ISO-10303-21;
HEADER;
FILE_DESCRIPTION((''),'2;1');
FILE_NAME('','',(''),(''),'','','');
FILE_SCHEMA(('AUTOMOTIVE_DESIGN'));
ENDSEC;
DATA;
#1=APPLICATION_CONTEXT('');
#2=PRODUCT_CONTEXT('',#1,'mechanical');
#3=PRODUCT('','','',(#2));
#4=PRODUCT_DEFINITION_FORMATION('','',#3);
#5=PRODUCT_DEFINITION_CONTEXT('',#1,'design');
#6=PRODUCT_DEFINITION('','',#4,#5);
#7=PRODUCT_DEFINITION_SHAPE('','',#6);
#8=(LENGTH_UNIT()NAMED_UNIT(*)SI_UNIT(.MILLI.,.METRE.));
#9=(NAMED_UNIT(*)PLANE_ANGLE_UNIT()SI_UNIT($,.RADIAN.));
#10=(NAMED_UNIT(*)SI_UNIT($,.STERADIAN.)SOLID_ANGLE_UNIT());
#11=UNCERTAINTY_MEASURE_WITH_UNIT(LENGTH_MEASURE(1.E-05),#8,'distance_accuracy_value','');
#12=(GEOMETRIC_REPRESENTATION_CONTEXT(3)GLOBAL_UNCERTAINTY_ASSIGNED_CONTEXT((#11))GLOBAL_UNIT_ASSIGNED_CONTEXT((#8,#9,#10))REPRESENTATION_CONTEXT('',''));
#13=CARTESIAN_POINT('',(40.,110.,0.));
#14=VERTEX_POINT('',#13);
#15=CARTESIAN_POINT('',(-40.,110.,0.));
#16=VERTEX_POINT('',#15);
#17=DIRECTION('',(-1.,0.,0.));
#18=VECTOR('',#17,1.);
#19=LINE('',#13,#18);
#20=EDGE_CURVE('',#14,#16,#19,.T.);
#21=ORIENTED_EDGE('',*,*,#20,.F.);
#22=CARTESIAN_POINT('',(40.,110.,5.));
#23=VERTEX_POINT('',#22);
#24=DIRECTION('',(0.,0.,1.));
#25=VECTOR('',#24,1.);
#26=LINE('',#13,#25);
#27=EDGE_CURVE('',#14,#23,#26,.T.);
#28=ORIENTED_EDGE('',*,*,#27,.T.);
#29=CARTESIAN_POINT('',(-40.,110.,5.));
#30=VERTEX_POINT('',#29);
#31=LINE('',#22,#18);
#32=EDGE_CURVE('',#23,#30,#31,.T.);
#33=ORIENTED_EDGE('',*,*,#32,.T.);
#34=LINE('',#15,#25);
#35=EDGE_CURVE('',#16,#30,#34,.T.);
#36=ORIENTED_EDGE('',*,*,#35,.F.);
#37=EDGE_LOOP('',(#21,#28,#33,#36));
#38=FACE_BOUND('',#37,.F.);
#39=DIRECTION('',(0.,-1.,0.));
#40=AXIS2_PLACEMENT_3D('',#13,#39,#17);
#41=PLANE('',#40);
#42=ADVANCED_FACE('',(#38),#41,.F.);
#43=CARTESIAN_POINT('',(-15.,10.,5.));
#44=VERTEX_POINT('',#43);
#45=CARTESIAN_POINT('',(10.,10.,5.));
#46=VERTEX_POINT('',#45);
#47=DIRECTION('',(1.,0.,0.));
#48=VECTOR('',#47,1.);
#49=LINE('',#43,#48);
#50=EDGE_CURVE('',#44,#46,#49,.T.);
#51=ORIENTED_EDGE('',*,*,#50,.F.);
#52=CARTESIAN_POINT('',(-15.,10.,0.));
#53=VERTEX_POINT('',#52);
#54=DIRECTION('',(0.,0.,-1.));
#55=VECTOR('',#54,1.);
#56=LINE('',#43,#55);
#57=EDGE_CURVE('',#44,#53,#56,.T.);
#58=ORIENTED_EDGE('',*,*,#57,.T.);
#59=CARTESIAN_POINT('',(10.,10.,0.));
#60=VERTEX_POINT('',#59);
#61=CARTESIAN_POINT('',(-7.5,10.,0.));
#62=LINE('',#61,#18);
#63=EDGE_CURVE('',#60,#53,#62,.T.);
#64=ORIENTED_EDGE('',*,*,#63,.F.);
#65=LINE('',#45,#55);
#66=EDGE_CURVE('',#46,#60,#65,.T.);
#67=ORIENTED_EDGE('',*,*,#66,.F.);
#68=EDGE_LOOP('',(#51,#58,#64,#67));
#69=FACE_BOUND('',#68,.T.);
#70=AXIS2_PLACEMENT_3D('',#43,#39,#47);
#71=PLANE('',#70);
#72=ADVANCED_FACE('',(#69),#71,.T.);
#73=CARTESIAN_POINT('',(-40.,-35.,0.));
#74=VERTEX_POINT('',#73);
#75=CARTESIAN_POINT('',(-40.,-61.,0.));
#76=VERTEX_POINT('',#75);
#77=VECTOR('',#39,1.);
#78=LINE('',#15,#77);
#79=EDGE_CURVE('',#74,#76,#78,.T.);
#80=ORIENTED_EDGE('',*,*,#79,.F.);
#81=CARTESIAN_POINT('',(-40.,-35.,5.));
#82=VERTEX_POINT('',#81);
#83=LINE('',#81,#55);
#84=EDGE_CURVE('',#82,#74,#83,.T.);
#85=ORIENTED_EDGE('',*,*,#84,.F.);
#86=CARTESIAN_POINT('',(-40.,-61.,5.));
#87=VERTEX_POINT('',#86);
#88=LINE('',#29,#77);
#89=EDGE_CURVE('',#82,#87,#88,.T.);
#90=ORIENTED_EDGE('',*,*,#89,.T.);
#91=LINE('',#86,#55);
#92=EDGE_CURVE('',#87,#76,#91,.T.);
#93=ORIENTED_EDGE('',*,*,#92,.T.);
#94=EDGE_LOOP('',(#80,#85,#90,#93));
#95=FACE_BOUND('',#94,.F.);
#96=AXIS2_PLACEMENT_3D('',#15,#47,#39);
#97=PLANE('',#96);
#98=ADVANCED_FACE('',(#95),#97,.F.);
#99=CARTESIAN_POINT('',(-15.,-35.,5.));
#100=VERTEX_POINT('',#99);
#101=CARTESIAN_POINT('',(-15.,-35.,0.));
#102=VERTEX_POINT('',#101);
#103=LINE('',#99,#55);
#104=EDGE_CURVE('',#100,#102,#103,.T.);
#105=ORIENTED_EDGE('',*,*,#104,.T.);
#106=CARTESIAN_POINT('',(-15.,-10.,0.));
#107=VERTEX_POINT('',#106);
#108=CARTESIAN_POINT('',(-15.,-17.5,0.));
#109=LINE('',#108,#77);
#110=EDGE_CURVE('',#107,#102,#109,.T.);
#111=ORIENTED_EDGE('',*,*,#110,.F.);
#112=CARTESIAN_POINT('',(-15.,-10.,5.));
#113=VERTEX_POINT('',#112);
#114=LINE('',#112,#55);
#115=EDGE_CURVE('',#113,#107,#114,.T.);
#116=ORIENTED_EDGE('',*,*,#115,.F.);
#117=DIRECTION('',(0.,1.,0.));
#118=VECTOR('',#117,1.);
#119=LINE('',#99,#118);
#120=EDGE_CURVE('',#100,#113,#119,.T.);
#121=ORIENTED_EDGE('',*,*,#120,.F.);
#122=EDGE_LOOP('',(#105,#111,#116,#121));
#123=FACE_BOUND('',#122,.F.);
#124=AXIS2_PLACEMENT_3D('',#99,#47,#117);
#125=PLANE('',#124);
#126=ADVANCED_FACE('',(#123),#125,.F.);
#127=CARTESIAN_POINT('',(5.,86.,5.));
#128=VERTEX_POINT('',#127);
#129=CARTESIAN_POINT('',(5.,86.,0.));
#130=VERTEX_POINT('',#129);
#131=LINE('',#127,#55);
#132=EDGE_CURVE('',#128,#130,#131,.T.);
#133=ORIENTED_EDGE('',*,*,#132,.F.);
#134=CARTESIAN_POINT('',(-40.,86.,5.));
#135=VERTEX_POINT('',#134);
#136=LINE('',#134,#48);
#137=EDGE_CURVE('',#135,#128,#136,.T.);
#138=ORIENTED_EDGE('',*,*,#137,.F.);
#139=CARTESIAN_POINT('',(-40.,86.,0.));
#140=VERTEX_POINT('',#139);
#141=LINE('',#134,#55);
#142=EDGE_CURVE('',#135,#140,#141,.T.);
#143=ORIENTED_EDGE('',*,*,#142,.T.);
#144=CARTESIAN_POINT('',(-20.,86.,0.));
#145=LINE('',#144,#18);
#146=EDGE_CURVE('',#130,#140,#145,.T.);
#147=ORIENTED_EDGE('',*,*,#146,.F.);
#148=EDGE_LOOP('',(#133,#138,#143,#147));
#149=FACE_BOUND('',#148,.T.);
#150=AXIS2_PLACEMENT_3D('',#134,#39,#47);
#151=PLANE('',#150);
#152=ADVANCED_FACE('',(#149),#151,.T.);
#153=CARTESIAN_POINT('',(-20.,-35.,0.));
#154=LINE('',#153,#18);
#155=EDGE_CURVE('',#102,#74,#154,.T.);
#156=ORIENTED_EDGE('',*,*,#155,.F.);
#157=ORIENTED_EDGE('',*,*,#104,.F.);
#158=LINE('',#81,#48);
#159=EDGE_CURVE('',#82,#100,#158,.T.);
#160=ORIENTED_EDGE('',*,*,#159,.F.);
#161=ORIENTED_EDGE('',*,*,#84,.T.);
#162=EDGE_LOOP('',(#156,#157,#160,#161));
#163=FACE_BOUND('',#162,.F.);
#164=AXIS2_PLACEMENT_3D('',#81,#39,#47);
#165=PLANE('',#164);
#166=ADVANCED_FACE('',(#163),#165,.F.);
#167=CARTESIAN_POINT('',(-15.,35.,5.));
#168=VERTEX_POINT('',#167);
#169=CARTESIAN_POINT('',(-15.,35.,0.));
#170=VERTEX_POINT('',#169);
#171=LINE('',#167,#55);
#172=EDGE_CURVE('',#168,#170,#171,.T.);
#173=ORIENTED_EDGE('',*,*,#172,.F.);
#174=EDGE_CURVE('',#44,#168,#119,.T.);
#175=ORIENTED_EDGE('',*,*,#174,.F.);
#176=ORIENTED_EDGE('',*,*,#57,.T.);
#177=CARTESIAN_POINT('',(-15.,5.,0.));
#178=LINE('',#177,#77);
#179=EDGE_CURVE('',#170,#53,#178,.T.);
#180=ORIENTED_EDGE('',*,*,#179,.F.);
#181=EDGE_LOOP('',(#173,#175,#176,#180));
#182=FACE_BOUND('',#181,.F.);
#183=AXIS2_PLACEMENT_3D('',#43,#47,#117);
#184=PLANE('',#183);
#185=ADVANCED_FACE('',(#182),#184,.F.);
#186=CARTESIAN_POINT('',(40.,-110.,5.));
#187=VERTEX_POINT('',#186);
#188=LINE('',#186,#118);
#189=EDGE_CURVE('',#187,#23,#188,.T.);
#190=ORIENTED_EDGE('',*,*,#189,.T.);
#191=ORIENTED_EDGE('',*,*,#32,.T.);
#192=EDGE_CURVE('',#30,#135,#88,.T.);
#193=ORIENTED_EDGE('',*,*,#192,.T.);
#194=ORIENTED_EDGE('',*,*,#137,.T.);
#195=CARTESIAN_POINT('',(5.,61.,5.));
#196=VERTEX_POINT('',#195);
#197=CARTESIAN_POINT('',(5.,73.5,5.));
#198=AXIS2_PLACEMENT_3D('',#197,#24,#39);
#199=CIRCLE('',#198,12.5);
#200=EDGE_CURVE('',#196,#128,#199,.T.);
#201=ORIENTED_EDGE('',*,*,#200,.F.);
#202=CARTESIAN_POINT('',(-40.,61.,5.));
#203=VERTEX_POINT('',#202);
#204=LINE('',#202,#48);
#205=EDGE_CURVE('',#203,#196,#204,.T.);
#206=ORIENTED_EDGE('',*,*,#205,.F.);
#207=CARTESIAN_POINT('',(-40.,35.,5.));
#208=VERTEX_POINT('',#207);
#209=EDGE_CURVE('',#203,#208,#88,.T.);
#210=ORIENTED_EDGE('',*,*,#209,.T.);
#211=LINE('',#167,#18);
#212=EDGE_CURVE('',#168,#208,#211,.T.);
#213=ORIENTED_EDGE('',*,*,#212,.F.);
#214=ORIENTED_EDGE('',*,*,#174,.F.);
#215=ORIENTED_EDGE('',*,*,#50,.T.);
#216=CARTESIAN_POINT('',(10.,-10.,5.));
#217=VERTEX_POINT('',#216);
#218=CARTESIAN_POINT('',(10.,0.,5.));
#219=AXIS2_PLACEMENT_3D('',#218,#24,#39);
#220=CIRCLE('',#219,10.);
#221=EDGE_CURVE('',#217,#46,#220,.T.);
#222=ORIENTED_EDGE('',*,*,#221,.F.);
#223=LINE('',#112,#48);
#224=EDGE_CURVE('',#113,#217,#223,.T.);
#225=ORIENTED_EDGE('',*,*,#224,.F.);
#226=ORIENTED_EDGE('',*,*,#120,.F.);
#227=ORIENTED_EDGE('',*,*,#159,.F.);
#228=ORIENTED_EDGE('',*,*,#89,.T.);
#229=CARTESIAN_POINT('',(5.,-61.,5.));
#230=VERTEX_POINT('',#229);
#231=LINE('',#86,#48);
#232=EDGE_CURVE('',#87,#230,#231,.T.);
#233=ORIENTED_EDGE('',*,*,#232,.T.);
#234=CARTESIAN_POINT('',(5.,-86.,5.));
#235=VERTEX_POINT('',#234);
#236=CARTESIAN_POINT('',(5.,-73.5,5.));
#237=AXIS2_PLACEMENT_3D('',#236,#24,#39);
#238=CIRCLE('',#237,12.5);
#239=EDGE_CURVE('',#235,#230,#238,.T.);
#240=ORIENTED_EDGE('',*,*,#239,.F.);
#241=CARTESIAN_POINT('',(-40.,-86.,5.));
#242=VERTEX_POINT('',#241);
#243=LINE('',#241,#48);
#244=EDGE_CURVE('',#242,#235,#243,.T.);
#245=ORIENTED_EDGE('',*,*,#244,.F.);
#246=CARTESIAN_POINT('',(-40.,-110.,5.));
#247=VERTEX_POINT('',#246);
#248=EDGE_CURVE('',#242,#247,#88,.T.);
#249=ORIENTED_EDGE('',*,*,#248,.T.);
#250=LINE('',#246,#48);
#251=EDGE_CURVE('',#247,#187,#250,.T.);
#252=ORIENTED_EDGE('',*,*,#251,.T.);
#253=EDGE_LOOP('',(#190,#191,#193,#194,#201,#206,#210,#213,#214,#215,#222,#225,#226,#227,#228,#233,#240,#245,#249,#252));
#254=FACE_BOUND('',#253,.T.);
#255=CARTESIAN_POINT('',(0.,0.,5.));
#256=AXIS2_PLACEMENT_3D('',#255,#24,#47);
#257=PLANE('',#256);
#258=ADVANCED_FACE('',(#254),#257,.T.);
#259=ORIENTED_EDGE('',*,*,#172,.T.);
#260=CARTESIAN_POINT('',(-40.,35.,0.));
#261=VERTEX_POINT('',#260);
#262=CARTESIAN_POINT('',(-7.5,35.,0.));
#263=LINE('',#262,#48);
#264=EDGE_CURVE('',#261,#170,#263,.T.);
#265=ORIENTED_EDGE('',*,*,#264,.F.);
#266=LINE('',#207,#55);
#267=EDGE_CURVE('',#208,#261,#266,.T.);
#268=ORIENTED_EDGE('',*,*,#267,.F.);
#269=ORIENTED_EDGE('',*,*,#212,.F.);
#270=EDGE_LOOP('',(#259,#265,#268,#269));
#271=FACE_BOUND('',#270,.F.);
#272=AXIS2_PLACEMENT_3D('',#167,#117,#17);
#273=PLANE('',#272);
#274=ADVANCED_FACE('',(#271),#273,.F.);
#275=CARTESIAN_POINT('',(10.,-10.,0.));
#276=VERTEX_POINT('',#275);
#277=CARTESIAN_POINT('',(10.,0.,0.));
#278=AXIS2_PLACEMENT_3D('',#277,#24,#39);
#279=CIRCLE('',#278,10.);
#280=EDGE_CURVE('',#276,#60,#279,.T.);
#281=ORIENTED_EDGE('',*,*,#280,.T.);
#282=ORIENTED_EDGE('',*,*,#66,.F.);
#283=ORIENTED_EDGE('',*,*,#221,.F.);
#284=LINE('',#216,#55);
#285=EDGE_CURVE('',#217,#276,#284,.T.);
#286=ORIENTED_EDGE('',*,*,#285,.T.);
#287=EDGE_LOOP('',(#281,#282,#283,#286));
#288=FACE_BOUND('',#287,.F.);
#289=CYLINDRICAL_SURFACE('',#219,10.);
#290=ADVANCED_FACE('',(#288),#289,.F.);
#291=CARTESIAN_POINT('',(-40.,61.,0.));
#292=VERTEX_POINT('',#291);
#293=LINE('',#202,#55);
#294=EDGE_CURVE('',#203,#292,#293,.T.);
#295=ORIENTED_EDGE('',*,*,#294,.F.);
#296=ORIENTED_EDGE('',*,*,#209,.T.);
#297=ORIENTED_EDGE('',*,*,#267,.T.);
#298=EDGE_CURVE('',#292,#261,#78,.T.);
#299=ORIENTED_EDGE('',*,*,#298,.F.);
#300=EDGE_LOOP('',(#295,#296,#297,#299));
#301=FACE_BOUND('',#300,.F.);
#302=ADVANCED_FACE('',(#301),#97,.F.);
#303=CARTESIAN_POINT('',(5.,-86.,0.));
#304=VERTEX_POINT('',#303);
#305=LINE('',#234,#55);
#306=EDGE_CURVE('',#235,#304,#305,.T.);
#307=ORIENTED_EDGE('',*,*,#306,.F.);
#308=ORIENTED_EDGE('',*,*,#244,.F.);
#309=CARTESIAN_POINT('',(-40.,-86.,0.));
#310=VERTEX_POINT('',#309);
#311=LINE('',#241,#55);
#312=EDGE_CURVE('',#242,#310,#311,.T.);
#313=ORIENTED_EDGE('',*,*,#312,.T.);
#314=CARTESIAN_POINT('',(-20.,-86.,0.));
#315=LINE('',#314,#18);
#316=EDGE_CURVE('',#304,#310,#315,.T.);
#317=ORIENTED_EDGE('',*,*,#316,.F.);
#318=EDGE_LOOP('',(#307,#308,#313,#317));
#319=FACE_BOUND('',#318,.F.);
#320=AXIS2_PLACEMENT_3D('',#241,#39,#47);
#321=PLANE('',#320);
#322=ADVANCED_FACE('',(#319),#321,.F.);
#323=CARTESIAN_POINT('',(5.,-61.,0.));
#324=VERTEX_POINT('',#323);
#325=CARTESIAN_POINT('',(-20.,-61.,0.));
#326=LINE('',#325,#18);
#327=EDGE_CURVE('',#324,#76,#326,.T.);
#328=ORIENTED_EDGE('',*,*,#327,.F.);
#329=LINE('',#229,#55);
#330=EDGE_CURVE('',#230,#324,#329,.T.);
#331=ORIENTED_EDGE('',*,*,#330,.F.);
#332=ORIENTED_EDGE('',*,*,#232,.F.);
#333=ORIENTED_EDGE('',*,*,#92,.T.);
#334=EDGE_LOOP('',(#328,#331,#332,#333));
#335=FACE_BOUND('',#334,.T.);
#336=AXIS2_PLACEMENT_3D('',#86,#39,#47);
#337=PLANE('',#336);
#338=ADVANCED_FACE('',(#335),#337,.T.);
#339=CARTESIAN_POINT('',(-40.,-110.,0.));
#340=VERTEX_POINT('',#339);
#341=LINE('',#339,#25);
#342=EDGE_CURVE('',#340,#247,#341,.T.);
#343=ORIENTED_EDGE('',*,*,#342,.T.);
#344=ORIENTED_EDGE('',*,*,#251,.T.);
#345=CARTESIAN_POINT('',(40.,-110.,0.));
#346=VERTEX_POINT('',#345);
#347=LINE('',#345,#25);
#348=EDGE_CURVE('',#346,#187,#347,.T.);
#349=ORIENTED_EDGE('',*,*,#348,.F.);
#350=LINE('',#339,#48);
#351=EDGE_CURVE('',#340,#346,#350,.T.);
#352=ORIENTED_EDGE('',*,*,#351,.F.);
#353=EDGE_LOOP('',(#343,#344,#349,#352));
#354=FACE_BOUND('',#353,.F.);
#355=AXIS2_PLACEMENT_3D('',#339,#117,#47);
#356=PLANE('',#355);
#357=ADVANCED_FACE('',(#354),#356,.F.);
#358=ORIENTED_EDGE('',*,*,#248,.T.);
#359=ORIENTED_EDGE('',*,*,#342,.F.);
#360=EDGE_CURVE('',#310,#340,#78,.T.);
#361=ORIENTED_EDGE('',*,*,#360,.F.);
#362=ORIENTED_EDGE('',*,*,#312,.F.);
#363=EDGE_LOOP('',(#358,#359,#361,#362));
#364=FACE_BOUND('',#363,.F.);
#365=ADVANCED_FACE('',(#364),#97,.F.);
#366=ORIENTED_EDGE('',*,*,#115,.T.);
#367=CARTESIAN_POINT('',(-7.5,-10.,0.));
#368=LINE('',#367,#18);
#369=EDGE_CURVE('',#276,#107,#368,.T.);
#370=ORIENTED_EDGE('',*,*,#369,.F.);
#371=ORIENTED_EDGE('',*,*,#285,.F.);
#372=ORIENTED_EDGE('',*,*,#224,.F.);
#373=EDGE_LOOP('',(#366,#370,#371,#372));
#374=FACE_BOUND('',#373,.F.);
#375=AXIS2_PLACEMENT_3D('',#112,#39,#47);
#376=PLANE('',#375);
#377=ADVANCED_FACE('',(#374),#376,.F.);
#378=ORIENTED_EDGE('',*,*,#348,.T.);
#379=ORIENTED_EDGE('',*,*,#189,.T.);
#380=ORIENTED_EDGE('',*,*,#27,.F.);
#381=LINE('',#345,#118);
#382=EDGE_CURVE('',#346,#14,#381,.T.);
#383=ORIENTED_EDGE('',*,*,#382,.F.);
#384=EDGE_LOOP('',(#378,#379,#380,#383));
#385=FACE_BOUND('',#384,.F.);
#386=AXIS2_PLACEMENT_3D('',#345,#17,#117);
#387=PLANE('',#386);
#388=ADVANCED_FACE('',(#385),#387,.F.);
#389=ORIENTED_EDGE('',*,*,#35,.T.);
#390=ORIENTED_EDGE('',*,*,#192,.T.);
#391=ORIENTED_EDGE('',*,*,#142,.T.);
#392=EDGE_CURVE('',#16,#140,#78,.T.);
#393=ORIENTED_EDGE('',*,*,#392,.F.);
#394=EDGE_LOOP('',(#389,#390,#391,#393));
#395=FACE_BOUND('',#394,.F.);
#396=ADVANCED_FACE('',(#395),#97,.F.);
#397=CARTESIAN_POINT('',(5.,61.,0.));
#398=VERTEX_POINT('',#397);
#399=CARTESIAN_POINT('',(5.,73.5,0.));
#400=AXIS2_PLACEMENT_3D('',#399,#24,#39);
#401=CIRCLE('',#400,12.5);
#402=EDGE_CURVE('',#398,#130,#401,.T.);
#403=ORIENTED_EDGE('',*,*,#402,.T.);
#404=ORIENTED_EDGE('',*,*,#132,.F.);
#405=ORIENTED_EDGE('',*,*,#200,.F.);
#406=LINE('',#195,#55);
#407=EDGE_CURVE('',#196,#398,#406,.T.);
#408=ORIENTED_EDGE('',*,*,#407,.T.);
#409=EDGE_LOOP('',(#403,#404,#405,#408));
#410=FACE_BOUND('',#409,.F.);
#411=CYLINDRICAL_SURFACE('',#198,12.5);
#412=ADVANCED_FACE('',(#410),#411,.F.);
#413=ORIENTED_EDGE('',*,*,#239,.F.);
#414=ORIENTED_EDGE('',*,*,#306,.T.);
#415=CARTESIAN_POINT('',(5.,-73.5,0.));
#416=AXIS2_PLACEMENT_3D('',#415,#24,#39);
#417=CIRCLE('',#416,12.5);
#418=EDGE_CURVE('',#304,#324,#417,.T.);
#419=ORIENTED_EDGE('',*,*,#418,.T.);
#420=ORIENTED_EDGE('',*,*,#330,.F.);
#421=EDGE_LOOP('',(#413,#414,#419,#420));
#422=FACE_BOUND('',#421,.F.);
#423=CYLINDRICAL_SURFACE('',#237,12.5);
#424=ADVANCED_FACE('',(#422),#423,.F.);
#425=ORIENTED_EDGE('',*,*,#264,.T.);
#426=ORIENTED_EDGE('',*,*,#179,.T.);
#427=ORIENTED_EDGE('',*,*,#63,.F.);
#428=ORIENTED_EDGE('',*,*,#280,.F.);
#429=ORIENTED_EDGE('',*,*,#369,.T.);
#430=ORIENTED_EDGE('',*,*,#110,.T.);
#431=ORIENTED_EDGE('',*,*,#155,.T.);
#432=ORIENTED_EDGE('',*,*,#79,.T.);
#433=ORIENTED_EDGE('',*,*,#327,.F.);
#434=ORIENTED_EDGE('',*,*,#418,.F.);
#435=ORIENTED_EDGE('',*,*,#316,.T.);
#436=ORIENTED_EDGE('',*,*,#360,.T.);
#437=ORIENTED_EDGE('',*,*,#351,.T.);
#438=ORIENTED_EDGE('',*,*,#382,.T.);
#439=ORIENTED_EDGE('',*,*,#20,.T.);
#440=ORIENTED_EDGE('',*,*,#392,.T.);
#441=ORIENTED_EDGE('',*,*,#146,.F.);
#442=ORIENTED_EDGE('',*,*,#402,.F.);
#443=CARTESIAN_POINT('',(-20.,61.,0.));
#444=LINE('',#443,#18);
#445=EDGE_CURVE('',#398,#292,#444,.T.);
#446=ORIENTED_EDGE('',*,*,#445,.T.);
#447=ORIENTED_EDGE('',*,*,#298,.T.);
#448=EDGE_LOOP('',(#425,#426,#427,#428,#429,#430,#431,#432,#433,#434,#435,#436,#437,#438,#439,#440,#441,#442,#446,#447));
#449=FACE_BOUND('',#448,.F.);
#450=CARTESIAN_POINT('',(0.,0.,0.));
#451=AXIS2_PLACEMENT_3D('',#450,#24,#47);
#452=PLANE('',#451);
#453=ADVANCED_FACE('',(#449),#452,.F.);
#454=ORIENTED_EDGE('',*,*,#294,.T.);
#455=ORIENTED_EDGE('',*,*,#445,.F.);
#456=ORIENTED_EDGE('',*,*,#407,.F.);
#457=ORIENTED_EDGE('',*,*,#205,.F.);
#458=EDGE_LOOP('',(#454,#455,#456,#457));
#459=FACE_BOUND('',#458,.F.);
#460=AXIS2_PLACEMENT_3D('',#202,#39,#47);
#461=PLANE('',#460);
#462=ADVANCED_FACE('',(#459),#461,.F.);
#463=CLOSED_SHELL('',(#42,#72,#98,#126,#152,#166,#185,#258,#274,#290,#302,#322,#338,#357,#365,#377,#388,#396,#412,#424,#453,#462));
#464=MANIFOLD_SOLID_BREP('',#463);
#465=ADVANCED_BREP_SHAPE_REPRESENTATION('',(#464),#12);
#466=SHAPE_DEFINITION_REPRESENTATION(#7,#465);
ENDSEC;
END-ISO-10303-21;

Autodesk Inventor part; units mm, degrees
ref_plane "YZ Plane" through (0, 0, 0) normal (1, 0, 0) x (0, 1, 0)
ref_plane "XZ Plane" through (0, 0, 0) normal (0, 1, 0) x (-1, 0, 0)
ref_plane "XY Plane" through (0, 0, 0) normal (0, 0, 1) x (1, 0, 0)
sketch "Skizze1" plane through (0, 0, 0) normal (0, 0, 1) x (1, 0, 0)
  line L0 (40, 110) -> (-40, 110)
  line L1 (-40, 110) -> (-40, -110)
  line L2 (-40, -110) -> (40, -110)
  line L3 (40, -110) -> (40, 110)
  line L4 (40, 110) -> (-40, -110) construction
  line L5 (-40, 110) -> (40, -110) construction
  point P0 (0, 0)
  dimension "d0" = 80
  dimension "d1" = 220
extrude "Extrusion1" add sketch "Skizze1" along normal blind 5
sketch "Skizze2" plane through (0, 0, 5) normal (0, 0, 1) x (1, 0, 0)
  circle A0 centre (-2.5, -74) radius 4 projected
  circle A1 centre (-2.5, 76) radius 4 projected
  line L0 (-40, 110) -> (-40, -110) projected
  line L1 (-40, -86) -> (5, -86)
  line L2 (-40, -61) -> (5, -61)
  line L3 (-40, -110) -> (40, -110) projected
  arc A2 (5, -86) -> (5, -61) centre (5, -73.5) ccw
  line L4 (-40, -35) -> (-15, -35)
  line L5 (-15, -35) -> (-15, 35)
  line L6 (-15, 35) -> (-40, 35)
  line L7 (-40, 35) -> (-40, -35)
  line L8 (-74.8767, 0) -> (54.4442, 0)
  line L9 (-40, 86) -> (5, 86)
  line L10 (-40, 61) -> (5, 61)
  arc A3 (5, 61) -> (5, 86) centre (5, 73.5) ccw
  line L11 (-15, -10) -> (10, -10)
  line L12 (-15, 10) -> (10, 10)
  arc A4 (10, -10) -> (10, 10) centre (10, 0) ccw
  line L13 (-40, 61) -> (-40, 86)
  point P0 (0, 0)
  dimension "d4" = 45
  dimension "d5" = 45
  dimension "d6" = 24
  dimension "d7" = 25
  dimension "d8" = 0
  dimension "d9" = 25
  dimension "d10" = 70
  dimension "d11" = 75
  dimension "d12" = 25
  dimension "d13" = 25
  dimension "d14" = 20
  dimension "d15" = 25
extrude "Extrusion2" cut sketch "Skizze2" against normal up to next contours A0 | A1 | L9 A3 L10 L0 | L2 A2 L1 L0 | L6 L5 L8 L0 | L8 L5 L4 L0 | L8 A4 L11 L5 | L5 L12 A4 L8
properties part number "bottom rail cover" material "ABS-Kunststoff"
